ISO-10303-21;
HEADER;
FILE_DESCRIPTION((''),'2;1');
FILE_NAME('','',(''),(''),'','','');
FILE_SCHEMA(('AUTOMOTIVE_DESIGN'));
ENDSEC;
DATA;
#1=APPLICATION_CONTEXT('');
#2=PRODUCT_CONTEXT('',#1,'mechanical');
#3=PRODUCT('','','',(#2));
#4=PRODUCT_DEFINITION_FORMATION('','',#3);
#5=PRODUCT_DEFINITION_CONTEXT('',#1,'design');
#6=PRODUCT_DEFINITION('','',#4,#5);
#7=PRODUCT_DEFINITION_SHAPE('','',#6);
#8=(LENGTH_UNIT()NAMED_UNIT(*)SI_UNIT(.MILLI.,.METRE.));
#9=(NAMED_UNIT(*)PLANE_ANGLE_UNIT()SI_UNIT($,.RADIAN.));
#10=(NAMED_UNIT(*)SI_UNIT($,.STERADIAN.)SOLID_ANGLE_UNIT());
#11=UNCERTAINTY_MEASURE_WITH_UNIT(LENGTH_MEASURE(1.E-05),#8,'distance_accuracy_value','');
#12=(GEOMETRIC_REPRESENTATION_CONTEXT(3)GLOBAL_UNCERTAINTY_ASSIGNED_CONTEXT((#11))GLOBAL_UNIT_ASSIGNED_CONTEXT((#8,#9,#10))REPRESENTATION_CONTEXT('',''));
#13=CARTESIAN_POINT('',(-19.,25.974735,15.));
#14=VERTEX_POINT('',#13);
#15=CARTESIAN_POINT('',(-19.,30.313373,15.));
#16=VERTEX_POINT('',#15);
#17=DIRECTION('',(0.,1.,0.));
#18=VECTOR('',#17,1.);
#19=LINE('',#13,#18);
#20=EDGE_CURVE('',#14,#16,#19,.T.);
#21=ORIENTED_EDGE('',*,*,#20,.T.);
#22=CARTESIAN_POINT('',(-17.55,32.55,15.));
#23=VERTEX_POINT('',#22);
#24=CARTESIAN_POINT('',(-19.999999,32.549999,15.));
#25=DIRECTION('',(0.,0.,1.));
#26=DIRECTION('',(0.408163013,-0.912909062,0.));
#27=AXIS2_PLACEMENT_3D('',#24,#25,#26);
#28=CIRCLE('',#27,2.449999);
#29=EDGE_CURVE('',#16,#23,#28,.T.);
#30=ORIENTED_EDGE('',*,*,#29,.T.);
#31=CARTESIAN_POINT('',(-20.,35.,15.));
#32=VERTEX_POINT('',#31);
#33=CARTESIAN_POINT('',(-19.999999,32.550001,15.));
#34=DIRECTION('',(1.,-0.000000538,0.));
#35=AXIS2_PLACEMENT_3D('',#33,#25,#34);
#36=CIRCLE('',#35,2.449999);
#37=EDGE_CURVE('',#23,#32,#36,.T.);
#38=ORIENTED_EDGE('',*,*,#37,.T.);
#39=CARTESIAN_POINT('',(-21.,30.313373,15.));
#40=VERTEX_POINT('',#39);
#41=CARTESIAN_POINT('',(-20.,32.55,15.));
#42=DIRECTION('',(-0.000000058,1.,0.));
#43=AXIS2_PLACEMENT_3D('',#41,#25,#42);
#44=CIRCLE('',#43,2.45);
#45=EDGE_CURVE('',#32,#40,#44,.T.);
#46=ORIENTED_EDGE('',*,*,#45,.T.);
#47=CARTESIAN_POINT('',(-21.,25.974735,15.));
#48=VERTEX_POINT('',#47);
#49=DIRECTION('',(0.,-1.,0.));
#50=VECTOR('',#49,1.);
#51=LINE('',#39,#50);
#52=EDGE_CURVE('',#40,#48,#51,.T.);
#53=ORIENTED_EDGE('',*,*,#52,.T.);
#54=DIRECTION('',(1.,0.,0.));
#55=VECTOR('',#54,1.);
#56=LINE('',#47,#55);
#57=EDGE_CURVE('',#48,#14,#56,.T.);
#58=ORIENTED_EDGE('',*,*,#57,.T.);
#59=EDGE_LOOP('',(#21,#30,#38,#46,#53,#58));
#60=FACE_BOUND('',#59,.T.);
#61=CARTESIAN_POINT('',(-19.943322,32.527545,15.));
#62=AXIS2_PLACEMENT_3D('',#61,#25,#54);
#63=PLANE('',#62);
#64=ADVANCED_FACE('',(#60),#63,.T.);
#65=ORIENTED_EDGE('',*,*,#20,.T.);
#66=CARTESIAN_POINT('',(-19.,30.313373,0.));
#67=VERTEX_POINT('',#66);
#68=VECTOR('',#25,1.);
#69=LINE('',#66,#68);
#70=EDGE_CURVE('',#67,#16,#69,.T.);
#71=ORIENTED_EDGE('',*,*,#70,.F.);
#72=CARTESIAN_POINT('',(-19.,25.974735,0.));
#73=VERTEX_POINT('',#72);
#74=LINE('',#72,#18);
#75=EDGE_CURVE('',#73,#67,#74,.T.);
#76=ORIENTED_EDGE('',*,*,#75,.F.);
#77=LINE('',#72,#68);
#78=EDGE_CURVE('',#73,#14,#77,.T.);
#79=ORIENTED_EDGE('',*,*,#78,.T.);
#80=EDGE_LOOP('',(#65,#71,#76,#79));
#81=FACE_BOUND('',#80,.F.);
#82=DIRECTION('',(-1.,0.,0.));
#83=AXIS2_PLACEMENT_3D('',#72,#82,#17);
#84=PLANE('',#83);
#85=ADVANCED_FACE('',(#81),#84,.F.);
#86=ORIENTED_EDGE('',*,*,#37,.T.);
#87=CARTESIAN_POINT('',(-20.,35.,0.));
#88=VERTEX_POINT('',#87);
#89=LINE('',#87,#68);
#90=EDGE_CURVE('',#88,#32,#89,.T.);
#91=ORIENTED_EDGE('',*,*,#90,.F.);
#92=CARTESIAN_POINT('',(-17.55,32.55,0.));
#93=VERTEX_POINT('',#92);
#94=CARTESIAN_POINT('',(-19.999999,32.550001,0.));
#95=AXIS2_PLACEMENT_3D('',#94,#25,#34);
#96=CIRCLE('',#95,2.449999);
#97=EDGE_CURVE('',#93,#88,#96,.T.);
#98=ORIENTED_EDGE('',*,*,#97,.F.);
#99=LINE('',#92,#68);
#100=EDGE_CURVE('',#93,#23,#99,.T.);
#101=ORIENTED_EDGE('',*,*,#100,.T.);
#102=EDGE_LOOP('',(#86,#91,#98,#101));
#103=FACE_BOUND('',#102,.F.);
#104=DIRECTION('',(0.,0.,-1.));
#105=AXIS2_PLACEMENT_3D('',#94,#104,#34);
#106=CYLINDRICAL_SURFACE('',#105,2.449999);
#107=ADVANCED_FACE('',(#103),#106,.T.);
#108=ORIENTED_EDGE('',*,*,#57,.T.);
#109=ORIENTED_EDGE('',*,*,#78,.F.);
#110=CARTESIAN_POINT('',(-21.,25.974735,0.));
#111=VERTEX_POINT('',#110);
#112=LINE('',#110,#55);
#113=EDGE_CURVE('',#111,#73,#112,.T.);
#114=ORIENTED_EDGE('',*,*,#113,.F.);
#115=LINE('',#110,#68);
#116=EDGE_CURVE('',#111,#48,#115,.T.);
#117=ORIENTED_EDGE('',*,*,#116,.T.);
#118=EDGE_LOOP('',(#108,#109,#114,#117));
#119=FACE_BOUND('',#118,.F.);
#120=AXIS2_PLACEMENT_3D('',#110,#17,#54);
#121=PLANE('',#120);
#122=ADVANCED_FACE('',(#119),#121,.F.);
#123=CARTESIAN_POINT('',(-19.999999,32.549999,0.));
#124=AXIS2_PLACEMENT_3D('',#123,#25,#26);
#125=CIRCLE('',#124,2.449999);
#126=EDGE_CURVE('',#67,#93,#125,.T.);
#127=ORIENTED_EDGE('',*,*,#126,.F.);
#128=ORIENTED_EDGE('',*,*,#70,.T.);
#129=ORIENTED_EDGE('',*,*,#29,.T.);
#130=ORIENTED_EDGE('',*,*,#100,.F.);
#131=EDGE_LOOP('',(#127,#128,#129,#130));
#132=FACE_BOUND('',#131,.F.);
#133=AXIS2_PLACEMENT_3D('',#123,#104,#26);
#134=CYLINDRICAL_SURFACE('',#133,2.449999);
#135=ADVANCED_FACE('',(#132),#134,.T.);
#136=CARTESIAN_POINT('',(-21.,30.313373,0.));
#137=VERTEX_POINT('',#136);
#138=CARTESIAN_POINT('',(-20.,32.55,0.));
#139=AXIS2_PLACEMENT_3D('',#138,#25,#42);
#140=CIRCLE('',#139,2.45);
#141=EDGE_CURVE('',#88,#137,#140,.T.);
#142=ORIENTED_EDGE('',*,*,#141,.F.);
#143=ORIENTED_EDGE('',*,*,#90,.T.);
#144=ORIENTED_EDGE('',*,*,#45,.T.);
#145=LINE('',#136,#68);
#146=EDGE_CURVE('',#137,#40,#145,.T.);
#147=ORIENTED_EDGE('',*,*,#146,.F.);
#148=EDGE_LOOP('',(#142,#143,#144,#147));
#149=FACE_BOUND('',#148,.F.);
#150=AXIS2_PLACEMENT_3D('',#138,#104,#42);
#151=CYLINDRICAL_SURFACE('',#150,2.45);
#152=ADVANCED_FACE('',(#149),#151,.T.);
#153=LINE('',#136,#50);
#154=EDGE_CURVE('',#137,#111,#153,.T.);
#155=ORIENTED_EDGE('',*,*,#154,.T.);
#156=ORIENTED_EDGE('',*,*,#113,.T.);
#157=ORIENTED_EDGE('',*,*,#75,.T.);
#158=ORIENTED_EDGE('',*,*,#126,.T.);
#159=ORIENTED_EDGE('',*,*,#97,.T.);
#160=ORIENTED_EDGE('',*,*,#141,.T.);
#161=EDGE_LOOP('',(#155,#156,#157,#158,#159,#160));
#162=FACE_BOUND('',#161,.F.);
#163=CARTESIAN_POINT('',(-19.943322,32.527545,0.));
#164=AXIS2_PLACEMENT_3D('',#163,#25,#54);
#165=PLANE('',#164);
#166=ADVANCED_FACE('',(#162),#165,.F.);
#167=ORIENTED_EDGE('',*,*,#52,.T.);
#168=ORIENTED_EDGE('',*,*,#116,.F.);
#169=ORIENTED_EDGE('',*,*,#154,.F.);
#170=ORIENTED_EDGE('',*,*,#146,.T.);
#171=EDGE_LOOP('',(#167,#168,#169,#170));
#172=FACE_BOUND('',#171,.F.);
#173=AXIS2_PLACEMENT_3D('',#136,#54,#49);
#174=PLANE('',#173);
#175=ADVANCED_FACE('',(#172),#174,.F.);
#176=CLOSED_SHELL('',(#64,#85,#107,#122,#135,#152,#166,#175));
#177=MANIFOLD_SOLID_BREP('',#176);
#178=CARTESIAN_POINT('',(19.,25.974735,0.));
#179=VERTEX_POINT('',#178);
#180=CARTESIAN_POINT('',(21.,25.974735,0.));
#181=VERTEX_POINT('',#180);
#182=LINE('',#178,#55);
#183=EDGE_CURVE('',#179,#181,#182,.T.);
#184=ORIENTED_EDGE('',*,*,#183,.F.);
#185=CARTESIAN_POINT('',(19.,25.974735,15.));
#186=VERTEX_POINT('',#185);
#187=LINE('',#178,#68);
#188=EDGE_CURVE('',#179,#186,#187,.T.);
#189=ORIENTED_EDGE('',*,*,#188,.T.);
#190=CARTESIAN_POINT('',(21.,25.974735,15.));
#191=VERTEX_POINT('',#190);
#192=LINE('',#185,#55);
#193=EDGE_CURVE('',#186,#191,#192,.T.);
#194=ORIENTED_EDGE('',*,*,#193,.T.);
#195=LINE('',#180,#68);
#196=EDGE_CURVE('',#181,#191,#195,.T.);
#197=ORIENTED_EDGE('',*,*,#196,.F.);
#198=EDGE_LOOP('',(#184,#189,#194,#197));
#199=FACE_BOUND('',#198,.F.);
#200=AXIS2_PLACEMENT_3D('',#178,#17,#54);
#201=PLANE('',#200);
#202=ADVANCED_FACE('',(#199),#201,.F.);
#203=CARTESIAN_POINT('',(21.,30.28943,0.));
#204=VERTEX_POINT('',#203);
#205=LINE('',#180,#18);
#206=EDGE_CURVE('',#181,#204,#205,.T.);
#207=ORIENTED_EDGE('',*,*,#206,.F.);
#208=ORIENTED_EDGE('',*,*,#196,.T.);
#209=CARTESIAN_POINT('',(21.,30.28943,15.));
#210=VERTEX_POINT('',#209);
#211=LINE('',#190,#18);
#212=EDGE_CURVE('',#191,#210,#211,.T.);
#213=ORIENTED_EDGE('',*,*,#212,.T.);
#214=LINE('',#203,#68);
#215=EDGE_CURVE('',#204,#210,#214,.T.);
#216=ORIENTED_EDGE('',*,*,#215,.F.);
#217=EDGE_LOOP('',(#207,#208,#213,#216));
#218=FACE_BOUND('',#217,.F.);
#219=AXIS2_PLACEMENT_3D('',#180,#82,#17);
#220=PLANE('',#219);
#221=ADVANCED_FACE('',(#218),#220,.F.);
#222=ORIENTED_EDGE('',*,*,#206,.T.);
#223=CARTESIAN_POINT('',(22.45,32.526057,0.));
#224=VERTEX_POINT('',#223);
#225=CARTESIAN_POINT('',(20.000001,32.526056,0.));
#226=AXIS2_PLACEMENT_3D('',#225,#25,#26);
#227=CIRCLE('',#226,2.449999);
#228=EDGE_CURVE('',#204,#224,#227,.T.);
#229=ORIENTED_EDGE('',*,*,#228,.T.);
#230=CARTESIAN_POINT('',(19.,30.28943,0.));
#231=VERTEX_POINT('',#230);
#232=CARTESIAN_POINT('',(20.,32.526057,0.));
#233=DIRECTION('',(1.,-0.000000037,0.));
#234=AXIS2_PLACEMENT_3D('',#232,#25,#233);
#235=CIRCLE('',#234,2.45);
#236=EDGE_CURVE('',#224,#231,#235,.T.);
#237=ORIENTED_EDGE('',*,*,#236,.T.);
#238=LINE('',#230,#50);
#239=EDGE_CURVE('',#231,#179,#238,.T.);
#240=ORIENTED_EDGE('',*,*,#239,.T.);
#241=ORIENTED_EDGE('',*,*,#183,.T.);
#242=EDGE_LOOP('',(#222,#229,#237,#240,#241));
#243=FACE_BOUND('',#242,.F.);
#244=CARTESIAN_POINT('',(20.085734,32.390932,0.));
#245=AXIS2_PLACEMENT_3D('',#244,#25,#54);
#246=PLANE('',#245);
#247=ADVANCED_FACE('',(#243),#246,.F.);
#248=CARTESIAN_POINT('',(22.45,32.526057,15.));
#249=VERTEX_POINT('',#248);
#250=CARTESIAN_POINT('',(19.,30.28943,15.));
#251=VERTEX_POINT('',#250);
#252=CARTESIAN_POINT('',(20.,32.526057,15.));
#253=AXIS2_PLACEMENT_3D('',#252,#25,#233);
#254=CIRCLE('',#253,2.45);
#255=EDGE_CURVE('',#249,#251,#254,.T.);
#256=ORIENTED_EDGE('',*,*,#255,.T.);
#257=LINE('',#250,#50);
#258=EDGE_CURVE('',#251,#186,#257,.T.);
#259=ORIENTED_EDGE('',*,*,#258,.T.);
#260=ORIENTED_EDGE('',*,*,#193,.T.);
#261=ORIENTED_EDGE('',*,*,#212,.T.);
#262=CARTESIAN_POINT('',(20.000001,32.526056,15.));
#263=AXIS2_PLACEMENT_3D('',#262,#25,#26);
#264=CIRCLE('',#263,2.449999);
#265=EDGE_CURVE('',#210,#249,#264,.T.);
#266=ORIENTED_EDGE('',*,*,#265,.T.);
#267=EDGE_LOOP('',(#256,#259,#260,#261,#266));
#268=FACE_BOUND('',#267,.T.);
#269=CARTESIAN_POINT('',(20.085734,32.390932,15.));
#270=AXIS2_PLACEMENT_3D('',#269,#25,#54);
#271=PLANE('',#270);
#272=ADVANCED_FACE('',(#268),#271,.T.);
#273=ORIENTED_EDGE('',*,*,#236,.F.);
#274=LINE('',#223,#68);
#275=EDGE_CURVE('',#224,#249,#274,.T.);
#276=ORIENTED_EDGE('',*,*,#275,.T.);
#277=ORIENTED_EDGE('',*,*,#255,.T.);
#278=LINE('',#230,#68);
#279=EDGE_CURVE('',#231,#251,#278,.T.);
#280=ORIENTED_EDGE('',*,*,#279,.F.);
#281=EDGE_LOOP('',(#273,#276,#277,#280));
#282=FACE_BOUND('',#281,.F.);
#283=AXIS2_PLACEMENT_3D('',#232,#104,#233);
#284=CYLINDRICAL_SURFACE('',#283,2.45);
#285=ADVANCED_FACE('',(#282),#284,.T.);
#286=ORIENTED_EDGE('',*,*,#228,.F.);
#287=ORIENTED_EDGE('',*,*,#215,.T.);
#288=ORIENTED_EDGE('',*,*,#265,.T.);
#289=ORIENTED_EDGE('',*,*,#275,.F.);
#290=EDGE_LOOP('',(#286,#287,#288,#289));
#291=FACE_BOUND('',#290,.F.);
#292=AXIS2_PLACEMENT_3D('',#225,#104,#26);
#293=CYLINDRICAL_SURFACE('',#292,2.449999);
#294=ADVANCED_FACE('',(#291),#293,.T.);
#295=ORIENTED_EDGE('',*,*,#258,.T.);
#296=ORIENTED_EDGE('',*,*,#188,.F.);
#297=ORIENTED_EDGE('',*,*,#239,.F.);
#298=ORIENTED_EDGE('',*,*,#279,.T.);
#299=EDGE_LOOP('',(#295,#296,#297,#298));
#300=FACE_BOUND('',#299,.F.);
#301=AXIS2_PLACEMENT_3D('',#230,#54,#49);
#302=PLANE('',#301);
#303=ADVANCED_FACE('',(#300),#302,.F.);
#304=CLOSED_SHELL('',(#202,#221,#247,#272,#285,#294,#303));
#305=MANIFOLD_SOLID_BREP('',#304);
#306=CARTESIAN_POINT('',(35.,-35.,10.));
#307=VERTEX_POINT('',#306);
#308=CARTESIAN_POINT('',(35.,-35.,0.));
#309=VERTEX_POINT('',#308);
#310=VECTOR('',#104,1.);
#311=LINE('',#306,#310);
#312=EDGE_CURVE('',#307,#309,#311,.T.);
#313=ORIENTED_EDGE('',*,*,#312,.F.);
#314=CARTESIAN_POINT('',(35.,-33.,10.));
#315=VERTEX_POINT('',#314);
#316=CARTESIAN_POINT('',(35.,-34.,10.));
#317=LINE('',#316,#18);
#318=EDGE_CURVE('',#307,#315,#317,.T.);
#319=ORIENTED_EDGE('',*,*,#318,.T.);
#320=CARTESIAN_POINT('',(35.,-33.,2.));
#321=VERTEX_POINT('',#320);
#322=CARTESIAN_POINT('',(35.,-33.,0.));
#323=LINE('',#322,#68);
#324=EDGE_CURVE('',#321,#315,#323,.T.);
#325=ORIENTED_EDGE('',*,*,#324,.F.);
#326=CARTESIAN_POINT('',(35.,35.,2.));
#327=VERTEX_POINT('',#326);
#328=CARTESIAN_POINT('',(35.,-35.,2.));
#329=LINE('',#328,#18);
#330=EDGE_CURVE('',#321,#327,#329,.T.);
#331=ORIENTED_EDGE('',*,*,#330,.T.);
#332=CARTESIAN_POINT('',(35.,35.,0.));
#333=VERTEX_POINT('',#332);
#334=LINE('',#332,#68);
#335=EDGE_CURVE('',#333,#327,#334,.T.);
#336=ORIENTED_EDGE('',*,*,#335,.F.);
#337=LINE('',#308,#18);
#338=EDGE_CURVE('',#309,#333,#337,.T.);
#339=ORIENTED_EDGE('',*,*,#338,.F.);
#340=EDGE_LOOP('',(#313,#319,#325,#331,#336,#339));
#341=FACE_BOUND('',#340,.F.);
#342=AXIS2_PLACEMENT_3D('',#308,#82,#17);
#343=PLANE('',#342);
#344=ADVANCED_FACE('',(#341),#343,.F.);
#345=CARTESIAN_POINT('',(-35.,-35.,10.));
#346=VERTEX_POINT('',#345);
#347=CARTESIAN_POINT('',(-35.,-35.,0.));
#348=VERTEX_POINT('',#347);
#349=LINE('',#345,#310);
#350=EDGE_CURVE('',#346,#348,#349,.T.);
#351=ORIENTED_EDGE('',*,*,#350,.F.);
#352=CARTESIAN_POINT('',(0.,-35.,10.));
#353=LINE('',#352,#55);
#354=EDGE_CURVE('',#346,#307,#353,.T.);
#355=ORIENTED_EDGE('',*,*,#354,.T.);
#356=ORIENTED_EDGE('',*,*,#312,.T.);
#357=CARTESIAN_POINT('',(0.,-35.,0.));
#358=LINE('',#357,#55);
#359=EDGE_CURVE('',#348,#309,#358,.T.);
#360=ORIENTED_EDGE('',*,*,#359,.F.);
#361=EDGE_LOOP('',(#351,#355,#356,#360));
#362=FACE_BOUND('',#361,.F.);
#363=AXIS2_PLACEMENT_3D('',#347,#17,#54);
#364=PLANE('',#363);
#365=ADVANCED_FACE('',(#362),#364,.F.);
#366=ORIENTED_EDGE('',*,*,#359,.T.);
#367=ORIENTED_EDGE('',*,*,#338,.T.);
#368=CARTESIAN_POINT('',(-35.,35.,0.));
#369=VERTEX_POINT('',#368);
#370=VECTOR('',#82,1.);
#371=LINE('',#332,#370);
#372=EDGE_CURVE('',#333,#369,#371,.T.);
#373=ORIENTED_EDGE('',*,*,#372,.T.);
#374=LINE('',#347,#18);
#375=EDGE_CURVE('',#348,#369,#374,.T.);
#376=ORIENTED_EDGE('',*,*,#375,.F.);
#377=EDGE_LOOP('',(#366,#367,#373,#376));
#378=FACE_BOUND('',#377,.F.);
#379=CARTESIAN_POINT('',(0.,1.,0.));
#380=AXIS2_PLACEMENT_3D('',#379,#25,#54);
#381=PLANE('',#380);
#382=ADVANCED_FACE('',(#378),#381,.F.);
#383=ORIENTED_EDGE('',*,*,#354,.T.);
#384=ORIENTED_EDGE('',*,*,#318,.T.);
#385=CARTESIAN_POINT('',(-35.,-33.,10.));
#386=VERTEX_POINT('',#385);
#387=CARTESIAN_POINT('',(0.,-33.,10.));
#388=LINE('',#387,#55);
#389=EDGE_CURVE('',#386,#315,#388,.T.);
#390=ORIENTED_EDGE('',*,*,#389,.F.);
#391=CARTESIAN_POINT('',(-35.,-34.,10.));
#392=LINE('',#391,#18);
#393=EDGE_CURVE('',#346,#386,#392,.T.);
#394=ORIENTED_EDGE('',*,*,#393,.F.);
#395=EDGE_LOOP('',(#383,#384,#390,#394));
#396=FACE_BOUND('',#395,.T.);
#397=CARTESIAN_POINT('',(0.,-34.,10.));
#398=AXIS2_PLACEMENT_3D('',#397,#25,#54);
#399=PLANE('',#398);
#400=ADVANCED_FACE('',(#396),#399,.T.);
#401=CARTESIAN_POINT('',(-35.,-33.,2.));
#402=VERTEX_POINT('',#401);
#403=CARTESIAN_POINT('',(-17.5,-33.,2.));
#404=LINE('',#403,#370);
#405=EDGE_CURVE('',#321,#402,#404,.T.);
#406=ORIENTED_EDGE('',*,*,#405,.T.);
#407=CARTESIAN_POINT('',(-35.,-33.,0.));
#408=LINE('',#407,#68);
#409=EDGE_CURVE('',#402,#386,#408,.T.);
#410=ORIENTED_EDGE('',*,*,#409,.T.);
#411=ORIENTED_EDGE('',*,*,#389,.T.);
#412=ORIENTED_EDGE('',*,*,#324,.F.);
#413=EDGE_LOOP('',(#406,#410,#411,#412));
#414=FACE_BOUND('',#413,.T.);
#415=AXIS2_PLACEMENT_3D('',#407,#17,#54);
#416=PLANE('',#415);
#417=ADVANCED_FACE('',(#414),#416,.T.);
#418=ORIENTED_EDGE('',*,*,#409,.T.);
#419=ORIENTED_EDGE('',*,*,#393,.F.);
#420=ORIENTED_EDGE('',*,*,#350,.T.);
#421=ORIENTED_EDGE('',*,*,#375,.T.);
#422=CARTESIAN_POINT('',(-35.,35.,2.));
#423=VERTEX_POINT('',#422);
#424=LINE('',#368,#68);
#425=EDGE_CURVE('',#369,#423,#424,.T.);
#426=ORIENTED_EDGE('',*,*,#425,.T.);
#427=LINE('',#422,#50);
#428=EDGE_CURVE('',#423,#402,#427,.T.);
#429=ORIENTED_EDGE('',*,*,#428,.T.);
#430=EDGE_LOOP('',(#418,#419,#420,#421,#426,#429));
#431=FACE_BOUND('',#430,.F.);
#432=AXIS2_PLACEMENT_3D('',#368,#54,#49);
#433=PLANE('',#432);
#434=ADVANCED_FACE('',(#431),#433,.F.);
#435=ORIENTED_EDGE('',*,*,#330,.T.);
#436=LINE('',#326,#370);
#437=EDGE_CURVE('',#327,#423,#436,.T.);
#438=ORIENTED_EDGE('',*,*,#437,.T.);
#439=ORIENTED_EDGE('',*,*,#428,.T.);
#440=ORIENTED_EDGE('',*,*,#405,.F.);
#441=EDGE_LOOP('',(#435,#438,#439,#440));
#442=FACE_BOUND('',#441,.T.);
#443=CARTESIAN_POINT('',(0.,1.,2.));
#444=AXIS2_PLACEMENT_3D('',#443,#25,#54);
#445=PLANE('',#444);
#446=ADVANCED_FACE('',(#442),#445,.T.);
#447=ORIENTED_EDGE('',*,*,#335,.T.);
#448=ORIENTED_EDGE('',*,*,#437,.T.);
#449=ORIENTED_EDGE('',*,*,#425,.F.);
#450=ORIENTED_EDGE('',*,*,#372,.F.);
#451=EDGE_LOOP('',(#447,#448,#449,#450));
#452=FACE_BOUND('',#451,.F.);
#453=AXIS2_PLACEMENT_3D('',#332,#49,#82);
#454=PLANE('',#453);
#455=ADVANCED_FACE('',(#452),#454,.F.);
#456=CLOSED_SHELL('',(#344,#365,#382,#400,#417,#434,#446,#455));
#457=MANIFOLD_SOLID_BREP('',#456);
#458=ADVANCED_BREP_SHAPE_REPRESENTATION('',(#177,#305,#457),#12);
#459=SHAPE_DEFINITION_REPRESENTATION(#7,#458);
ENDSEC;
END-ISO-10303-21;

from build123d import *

# Parameters (mm, degrees)
F1_DEPTH = 15
F0_W     = 70
F0_H     = 2
F2_DEPTH = 2
F3_DEPTH = 10


with BuildPart() as f1:
    # F0 (on Top) → F1 (new body)
    with BuildSketch(Plane.XY):
        with BuildLine():
            ThreePointArc((-17.55, 32.55), (-18.267588, 34.282412), (-20, 35))
            ThreePointArc((-20, 35), (-22.396063, 33.061255), (-21, 30.313373))
            ThreePointArc((-21, 30.313373), (-20, 30.1), (-19, 30.313373))
            ThreePointArc((-19, 30.313373), (-17.944215, 31.21724), (-17.55, 32.55))
        make_face()
        with BuildLine():
            ThreePointArc((-19, 30.313373), (-20, 30.1), (-21, 30.313373))
            Line((-21, 30.313373), (-21, 25.974735))
            Line((-21, 25.974735), (-19, 25.974735))
            Line((-19, 25.974735), (-19, 30.313373))
        make_face()
        with BuildLine():
            ThreePointArc((21, 30.28943), (22.055785, 31.193297), (22.45, 32.526057))
            ThreePointArc((22.45, 32.526057), (18.66724, 34.581842), (19, 30.28943))
            ThreePointArc((19, 30.28943), (20, 30.076057), (21, 30.28943))
        make_face()
        with BuildLine():
            ThreePointArc((21, 30.28943), (20, 30.076057), (19, 30.28943))
            Line((19, 30.28943), (19, 25.974735))
            Line((19, 25.974735), (21, 25.974735))
            Line((21, 25.974735), (21, 30.28943))
        make_face()
    extrude(amount=F1_DEPTH)


with BuildPart() as f2:
    # F0 (on Top) → F2 (new body)
    with BuildSketch(Plane.XY):
        Polygon((-20, 35), (-35, 35), (-35, -33), (35, -33), (35, 35), align=None)
        with BuildLine():
            ThreePointArc((-21, 30.313373), (-22.396063, 33.061255), (-20, 35))
            ThreePointArc((-20, 35), (-18.267588, 34.282412), (-17.55, 32.55))
            ThreePointArc((-17.55, 32.55), (-17.944215, 31.21724), (-19, 30.313373))
            Line((-19, 30.313373), (-19, 25.974735))
            Line((-19, 25.974735), (-21, 25.974735))
            Line((-21, 25.974735), (-21, 30.313373))
        make_face(mode=Mode.SUBTRACT)
        with BuildLine():
            ThreePointArc((19, 30.28943), (18.66724, 34.581842), (22.45, 32.526057))
            ThreePointArc((22.45, 32.526057), (22.055785, 31.193297), (21, 30.28943))
            Line((21, 30.28943), (21, 25.974735))
            Line((21, 25.974735), (19, 25.974735))
            Line((19, 25.974735), (19, 30.28943))
        make_face(mode=Mode.SUBTRACT)
        with BuildLine():
            ThreePointArc((-19, 30.313373), (-20, 30.1), (-21, 30.313373))
            Line((-21, 30.313373), (-21, 25.974735))
            Line((-21, 25.974735), (-19, 25.974735))
            Line((-19, 25.974735), (-19, 30.313373))
        make_face()
        with BuildLine():
            ThreePointArc((-17.55, 32.55), (-18.267588, 34.282412), (-20, 35))
            ThreePointArc((-20, 35), (-22.396063, 33.061255), (-21, 30.313373))
            ThreePointArc((-21, 30.313373), (-20, 30.1), (-19, 30.313373))
            ThreePointArc((-19, 30.313373), (-17.944215, 31.21724), (-17.55, 32.55))
        make_face()
        with BuildLine():
            ThreePointArc((21, 30.28943), (22.055785, 31.193297), (22.45, 32.526057))
            ThreePointArc((22.45, 32.526057), (18.66724, 34.581842), (19, 30.28943))
            ThreePointArc((19, 30.28943), (20, 30.076057), (21, 30.28943))
        make_face()
        with BuildLine():
            ThreePointArc((21, 30.28943), (20, 30.076057), (19, 30.28943))
            Line((19, 30.28943), (19, 25.974735))
            Line((19, 25.974735), (21, 25.974735))
            Line((21, 25.974735), (21, 30.28943))
        make_face()
        with Locations((0, -34)):
            Rectangle(F0_W, F0_H)
    extrude(amount=F2_DEPTH)

    # F0 (on Top) → F3 (join)
    with BuildSketch(Plane.XY):
        with Locations((0, -34)):
            Rectangle(F0_W, F0_H)
    extrude(amount=F3_DEPTH)


solid = Compound([f1.part, f2.part])
